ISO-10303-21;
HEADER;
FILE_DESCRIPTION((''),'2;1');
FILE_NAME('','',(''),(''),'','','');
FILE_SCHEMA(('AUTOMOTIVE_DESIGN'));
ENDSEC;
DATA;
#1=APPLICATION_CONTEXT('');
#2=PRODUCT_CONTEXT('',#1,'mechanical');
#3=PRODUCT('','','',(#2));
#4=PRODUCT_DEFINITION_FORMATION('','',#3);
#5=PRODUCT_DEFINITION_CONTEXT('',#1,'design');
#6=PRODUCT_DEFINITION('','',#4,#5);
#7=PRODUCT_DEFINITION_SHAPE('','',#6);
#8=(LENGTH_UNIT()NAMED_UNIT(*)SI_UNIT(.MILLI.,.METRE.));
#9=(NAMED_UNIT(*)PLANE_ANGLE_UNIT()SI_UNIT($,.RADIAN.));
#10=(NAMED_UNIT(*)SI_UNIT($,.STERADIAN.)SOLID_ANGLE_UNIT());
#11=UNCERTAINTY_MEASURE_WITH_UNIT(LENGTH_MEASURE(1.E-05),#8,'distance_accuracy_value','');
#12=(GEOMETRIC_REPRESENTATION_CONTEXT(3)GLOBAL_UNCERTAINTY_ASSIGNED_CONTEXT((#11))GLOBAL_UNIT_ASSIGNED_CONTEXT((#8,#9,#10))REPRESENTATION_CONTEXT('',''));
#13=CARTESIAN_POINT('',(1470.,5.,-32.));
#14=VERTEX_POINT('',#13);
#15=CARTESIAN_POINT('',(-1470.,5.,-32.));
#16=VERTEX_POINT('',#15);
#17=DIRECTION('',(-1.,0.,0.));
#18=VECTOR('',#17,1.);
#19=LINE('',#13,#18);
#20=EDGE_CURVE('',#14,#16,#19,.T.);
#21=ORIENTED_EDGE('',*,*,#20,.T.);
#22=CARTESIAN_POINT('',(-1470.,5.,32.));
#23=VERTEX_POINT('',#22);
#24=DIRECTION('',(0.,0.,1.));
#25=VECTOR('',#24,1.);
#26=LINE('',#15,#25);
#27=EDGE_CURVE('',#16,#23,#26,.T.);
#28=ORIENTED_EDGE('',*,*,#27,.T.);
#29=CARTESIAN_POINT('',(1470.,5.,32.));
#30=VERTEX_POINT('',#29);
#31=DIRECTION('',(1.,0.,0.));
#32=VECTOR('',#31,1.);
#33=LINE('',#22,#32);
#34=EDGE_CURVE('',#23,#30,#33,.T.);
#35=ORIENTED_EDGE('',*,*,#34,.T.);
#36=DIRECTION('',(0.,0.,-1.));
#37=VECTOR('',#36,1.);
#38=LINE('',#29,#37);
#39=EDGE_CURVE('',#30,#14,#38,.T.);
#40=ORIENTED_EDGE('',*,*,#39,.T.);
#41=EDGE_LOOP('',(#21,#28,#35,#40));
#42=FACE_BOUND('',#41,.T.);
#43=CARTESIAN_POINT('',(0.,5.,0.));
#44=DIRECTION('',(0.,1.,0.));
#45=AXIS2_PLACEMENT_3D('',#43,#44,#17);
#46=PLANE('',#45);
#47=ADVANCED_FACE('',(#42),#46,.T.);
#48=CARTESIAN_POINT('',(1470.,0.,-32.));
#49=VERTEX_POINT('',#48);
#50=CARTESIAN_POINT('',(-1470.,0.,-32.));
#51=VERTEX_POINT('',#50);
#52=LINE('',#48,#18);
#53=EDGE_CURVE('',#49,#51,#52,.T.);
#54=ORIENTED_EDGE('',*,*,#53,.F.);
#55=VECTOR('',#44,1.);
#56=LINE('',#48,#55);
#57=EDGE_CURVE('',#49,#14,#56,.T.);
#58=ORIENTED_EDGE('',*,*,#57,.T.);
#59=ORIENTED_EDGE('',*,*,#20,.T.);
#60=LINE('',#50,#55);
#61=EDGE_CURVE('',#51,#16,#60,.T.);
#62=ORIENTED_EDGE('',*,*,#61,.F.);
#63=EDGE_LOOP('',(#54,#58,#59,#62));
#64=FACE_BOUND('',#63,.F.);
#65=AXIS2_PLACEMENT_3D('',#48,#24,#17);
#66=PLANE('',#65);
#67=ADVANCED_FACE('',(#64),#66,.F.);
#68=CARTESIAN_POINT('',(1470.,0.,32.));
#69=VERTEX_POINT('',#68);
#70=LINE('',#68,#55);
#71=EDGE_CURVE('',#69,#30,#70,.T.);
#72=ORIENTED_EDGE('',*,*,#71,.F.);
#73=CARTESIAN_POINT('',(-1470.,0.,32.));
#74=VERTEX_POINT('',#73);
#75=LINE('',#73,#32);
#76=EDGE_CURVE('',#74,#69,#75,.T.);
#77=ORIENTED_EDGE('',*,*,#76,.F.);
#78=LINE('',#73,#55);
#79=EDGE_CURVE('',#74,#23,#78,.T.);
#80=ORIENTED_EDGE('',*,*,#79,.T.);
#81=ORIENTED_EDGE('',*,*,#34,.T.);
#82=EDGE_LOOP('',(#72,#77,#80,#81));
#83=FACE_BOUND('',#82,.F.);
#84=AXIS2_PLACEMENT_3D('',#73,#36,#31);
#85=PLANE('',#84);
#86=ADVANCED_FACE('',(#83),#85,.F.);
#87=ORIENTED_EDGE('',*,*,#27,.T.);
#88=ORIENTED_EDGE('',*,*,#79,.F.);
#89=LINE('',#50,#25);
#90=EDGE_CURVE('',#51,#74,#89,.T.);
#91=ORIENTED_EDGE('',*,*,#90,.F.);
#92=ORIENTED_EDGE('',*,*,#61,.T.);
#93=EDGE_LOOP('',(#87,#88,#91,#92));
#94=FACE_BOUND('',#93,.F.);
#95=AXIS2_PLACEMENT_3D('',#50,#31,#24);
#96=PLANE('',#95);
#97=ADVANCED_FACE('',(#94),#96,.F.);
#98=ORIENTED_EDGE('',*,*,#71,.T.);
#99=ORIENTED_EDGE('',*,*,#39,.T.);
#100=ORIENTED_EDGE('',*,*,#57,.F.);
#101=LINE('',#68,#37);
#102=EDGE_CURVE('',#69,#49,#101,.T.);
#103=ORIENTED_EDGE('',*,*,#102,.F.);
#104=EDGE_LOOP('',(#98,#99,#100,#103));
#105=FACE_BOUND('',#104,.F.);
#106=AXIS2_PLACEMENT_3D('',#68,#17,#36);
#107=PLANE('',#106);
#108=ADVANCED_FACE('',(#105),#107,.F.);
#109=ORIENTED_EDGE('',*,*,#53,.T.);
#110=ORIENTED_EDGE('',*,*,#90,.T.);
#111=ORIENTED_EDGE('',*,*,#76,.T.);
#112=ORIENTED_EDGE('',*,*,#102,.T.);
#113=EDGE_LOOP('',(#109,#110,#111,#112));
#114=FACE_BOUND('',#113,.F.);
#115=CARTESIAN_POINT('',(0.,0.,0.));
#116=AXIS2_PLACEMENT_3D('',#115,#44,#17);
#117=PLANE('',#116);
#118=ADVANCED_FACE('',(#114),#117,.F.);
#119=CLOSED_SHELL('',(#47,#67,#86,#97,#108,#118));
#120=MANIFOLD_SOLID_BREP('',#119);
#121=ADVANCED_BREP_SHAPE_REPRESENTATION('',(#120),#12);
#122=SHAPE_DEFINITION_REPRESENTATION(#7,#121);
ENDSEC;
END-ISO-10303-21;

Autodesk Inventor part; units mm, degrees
ref_plane "YZ Plane" through (0, 0, 0) normal (1, 0, 0) x (0, 1, 0)
ref_plane "XZ Plane" through (0, 0, 0) normal (0, 1, 0) x (-1, 0, 0)
ref_plane "XY Plane" through (0, 0, 0) normal (0, 0, 1) x (1, 0, 0)
sketch "Эскиз1" plane through (0, 0, 0) normal (0, 1, 0) x (-1, 0, 0)
  line L0 (1470, 32) -> (-1470, 32)
  line L1 (-1470, 32) -> (-1470, -32)
  line L2 (-1470, -32) -> (1470, -32)
  line L3 (1470, -32) -> (1470, 32)
  line L4 (1470, 32) -> (-1470, -32) construction
  line L5 (-1470, 32) -> (1470, -32) construction
  point P0 (0, 0)
  dimension "d0" = 2940
  dimension "d1" = 64
extrude "Пластина1" add sketch "Эскиз1" along normal blind 5
equation "\"d2\" = Толщина"
equation "\"Радиус_гибки\" = Толщина"
equation "\"Ширина_просечки\" = Толщина"
equation "\"Глубина_просечки\" = 0.5 * Толщина"
equation "\"Радиус_перехода\" = Радиус_гибки"
equation "\"Радиус_Якоби\" = Радиус_гибки"
equation "\"Размер_зазора\" = Толщина"
equation "\"Толщина\" = 5"
properties part number "0922_CPY_CPY"
